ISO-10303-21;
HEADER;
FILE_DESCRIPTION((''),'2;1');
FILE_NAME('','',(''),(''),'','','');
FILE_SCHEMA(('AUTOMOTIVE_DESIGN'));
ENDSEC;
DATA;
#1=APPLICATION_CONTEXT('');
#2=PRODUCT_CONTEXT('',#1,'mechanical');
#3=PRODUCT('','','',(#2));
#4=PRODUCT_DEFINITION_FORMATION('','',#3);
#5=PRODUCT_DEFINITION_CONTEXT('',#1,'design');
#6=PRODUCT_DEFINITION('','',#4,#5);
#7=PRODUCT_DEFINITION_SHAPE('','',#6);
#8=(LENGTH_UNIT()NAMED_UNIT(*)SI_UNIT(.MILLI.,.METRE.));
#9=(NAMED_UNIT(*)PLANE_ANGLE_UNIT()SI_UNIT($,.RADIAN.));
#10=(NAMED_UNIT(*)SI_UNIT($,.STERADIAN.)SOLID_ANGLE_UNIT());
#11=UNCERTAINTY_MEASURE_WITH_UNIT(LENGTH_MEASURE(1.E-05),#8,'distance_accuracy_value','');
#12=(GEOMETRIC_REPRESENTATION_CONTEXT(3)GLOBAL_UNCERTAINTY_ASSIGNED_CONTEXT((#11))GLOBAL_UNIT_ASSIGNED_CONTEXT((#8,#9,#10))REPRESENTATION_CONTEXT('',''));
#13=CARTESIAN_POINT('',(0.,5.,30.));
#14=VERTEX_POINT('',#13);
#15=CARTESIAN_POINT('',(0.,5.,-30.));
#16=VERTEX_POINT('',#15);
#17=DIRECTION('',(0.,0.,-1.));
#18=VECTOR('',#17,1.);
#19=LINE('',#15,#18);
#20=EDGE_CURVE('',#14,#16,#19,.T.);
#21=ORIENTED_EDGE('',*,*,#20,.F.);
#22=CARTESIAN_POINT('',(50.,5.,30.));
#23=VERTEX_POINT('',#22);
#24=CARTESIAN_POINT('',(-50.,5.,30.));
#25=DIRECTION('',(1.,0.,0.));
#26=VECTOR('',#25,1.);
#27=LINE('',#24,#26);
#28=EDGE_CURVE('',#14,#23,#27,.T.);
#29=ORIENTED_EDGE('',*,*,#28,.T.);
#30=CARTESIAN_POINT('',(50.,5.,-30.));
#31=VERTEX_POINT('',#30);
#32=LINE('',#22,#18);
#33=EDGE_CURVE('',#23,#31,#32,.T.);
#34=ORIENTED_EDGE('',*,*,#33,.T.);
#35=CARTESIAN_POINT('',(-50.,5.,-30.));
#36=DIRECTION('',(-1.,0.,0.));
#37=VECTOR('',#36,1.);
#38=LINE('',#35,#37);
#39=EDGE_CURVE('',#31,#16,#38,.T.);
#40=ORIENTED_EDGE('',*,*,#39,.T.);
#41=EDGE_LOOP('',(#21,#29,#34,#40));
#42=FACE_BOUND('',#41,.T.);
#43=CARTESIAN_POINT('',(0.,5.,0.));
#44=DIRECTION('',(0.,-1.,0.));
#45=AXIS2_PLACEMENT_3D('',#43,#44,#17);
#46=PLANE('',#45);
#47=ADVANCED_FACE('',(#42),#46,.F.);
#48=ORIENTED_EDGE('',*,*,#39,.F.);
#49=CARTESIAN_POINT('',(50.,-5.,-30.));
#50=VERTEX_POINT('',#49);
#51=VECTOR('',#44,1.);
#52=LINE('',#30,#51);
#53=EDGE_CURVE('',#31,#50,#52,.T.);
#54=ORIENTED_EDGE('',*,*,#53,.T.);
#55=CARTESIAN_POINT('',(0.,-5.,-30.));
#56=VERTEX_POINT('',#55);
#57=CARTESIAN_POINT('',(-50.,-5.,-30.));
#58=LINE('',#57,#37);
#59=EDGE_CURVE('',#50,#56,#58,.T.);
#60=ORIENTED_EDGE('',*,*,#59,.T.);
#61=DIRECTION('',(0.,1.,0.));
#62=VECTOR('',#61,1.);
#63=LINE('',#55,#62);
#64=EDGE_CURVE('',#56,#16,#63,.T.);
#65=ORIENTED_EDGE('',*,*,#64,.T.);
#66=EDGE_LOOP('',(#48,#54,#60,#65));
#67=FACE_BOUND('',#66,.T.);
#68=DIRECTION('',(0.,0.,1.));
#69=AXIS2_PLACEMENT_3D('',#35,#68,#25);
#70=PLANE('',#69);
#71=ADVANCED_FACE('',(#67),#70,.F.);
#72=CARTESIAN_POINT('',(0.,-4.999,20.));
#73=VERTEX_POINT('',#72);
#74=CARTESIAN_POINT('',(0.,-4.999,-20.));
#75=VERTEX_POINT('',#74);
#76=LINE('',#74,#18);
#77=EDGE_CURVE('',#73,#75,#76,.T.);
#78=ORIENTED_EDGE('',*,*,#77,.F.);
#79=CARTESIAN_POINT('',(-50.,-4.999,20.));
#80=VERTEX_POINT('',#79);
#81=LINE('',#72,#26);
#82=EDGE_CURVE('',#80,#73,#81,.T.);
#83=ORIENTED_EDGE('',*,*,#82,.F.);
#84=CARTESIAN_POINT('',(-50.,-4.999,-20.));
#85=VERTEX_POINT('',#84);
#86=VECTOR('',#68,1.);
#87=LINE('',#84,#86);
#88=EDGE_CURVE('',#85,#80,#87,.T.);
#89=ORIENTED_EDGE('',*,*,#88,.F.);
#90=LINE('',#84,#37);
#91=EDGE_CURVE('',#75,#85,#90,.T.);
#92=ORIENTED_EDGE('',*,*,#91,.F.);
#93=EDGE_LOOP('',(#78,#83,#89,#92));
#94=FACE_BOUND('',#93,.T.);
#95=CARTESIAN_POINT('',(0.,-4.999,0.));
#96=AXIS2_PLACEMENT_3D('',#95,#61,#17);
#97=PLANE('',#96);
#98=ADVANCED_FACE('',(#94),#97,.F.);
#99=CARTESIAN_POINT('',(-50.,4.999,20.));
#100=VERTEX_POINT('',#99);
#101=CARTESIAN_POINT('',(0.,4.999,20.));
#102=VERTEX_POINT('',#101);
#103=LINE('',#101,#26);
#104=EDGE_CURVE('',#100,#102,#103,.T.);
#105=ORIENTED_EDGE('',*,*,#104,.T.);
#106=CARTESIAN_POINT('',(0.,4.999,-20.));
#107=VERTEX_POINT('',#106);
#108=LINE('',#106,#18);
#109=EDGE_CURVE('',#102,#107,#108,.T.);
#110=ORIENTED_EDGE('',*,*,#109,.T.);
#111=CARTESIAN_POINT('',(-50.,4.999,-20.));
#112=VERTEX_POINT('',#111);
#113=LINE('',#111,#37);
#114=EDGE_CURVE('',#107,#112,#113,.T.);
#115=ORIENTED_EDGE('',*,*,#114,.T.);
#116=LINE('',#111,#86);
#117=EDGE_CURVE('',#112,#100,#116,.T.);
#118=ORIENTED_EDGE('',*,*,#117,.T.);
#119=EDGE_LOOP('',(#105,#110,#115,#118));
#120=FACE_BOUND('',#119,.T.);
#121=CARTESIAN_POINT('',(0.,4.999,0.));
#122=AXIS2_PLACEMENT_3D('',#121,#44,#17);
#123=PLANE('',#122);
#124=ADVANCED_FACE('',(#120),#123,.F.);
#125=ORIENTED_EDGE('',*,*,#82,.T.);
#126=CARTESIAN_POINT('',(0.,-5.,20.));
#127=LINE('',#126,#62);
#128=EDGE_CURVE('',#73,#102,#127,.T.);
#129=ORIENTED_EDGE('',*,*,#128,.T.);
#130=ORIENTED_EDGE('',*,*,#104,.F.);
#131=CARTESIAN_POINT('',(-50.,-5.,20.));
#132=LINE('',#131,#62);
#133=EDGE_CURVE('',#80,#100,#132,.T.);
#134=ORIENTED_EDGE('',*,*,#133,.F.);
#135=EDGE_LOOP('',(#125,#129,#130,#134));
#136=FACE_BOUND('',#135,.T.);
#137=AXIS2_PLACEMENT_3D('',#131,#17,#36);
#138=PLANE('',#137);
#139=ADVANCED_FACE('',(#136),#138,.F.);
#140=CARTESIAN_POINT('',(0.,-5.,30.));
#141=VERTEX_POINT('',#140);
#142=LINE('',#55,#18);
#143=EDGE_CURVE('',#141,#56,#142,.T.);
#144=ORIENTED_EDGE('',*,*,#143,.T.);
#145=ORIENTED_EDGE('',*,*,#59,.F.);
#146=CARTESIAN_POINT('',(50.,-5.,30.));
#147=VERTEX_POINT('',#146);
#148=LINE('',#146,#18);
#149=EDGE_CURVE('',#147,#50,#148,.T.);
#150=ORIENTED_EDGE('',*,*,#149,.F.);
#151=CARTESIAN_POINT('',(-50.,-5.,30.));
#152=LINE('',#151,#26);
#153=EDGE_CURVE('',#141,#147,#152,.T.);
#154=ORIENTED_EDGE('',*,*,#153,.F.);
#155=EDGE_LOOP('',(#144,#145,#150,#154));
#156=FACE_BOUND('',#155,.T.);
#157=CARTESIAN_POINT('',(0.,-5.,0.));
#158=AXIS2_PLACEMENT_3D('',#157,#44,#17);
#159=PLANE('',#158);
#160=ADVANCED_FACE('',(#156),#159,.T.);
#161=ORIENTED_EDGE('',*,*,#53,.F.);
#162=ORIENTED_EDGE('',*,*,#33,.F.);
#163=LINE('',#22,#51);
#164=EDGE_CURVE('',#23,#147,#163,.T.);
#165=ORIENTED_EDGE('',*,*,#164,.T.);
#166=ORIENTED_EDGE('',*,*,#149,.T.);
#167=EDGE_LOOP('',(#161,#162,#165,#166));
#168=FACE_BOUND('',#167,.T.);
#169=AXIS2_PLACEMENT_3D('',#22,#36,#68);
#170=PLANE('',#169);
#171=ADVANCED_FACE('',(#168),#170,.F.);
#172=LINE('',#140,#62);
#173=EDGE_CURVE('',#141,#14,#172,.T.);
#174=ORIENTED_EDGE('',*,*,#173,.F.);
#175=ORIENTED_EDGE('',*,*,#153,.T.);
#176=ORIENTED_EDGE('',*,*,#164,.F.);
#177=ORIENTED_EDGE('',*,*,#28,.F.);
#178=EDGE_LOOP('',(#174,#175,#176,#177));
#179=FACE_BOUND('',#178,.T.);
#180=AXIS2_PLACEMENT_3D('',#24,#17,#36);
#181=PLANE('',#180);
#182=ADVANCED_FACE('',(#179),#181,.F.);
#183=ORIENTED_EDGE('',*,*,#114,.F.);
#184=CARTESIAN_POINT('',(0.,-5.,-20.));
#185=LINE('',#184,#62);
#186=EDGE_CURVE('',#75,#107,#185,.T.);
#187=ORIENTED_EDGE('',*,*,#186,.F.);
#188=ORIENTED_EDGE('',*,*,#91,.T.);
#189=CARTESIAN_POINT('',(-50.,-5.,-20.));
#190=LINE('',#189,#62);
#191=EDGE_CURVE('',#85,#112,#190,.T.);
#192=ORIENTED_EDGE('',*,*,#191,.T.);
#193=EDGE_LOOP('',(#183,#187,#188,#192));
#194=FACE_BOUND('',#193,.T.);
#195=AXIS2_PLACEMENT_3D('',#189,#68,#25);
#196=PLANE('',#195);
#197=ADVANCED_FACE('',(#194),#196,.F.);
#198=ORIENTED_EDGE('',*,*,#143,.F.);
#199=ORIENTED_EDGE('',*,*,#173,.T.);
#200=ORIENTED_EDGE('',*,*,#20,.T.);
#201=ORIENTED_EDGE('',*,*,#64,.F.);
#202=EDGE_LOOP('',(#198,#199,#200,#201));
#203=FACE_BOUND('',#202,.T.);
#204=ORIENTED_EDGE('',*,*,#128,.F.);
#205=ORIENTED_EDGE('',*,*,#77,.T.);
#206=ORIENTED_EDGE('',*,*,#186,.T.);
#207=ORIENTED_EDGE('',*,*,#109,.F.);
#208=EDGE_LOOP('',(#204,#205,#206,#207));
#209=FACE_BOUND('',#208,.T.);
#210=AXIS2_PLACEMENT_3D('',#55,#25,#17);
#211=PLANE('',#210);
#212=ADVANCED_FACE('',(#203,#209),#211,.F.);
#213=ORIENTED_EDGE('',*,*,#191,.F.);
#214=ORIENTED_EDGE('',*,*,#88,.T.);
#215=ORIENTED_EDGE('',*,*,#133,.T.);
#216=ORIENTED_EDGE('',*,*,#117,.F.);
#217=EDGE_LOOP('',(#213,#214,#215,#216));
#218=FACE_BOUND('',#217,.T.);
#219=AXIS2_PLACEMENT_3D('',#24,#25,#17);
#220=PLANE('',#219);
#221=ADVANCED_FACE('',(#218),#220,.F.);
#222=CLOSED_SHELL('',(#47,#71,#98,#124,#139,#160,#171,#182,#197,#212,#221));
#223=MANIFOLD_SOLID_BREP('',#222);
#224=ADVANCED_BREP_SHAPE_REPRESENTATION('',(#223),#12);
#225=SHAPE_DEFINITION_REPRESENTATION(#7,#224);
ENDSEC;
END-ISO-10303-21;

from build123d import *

# Parameters (mm, degrees)
SKETCH1_W           = 100
SKETCH1_H           = 60
BOSS_EXTRUDE1_DEPTH = 5
SKETCH2_W           = 50
SKETCH2_H           = 10
CUT_EXTRUDE1_DEPTH  = 60.160797831
SKETCH3_W           = 50
SKETCH3_H           = 40
CUT_EXTRUDE2_DEPTH  = 0.001


with BuildPart() as part:
    # Sketch1 → Boss-Extrude1 (new, symmetric)
    with BuildSketch(Plane(origin=(0, 0, 0), x_dir=(1, 0, 0), z_dir=(0, 1, 0))):
        Rectangle(SKETCH1_W, SKETCH1_H)
    extrude(amount=BOSS_EXTRUDE1_DEPTH, both=True)

    # Sketch2 → Cut-Extrude1 (cut, through all)
    with BuildSketch(Plane(origin=(0, 5, 0), x_dir=(1, 0, 0), z_dir=(0, 1, 0))):
        with Locations((-25, 25)):
            Rectangle(SKETCH2_W, SKETCH2_H)
        with Locations((-25, -25)):
            Rectangle(SKETCH2_W, SKETCH2_H)
    extrude(amount=-CUT_EXTRUDE1_DEPTH, mode=Mode.SUBTRACT)

    # Sketch3 → Cut-Extrude2 (cut)
    with BuildSketch(Plane(origin=(0, 5, 0), x_dir=(1, 0, 0), z_dir=(0, 1, 0))):
        with Locations((-25, 0)):
            Rectangle(SKETCH3_W, SKETCH3_H)
    cut_extrude2 = extrude(amount=-CUT_EXTRUDE2_DEPTH, mode=Mode.SUBTRACT)

    # Mirror1: Cut-Extrude2 across plane
    add(cut_extrude2.mirror(Plane.ZX), mode=Mode.SUBTRACT)


solid = part.part
